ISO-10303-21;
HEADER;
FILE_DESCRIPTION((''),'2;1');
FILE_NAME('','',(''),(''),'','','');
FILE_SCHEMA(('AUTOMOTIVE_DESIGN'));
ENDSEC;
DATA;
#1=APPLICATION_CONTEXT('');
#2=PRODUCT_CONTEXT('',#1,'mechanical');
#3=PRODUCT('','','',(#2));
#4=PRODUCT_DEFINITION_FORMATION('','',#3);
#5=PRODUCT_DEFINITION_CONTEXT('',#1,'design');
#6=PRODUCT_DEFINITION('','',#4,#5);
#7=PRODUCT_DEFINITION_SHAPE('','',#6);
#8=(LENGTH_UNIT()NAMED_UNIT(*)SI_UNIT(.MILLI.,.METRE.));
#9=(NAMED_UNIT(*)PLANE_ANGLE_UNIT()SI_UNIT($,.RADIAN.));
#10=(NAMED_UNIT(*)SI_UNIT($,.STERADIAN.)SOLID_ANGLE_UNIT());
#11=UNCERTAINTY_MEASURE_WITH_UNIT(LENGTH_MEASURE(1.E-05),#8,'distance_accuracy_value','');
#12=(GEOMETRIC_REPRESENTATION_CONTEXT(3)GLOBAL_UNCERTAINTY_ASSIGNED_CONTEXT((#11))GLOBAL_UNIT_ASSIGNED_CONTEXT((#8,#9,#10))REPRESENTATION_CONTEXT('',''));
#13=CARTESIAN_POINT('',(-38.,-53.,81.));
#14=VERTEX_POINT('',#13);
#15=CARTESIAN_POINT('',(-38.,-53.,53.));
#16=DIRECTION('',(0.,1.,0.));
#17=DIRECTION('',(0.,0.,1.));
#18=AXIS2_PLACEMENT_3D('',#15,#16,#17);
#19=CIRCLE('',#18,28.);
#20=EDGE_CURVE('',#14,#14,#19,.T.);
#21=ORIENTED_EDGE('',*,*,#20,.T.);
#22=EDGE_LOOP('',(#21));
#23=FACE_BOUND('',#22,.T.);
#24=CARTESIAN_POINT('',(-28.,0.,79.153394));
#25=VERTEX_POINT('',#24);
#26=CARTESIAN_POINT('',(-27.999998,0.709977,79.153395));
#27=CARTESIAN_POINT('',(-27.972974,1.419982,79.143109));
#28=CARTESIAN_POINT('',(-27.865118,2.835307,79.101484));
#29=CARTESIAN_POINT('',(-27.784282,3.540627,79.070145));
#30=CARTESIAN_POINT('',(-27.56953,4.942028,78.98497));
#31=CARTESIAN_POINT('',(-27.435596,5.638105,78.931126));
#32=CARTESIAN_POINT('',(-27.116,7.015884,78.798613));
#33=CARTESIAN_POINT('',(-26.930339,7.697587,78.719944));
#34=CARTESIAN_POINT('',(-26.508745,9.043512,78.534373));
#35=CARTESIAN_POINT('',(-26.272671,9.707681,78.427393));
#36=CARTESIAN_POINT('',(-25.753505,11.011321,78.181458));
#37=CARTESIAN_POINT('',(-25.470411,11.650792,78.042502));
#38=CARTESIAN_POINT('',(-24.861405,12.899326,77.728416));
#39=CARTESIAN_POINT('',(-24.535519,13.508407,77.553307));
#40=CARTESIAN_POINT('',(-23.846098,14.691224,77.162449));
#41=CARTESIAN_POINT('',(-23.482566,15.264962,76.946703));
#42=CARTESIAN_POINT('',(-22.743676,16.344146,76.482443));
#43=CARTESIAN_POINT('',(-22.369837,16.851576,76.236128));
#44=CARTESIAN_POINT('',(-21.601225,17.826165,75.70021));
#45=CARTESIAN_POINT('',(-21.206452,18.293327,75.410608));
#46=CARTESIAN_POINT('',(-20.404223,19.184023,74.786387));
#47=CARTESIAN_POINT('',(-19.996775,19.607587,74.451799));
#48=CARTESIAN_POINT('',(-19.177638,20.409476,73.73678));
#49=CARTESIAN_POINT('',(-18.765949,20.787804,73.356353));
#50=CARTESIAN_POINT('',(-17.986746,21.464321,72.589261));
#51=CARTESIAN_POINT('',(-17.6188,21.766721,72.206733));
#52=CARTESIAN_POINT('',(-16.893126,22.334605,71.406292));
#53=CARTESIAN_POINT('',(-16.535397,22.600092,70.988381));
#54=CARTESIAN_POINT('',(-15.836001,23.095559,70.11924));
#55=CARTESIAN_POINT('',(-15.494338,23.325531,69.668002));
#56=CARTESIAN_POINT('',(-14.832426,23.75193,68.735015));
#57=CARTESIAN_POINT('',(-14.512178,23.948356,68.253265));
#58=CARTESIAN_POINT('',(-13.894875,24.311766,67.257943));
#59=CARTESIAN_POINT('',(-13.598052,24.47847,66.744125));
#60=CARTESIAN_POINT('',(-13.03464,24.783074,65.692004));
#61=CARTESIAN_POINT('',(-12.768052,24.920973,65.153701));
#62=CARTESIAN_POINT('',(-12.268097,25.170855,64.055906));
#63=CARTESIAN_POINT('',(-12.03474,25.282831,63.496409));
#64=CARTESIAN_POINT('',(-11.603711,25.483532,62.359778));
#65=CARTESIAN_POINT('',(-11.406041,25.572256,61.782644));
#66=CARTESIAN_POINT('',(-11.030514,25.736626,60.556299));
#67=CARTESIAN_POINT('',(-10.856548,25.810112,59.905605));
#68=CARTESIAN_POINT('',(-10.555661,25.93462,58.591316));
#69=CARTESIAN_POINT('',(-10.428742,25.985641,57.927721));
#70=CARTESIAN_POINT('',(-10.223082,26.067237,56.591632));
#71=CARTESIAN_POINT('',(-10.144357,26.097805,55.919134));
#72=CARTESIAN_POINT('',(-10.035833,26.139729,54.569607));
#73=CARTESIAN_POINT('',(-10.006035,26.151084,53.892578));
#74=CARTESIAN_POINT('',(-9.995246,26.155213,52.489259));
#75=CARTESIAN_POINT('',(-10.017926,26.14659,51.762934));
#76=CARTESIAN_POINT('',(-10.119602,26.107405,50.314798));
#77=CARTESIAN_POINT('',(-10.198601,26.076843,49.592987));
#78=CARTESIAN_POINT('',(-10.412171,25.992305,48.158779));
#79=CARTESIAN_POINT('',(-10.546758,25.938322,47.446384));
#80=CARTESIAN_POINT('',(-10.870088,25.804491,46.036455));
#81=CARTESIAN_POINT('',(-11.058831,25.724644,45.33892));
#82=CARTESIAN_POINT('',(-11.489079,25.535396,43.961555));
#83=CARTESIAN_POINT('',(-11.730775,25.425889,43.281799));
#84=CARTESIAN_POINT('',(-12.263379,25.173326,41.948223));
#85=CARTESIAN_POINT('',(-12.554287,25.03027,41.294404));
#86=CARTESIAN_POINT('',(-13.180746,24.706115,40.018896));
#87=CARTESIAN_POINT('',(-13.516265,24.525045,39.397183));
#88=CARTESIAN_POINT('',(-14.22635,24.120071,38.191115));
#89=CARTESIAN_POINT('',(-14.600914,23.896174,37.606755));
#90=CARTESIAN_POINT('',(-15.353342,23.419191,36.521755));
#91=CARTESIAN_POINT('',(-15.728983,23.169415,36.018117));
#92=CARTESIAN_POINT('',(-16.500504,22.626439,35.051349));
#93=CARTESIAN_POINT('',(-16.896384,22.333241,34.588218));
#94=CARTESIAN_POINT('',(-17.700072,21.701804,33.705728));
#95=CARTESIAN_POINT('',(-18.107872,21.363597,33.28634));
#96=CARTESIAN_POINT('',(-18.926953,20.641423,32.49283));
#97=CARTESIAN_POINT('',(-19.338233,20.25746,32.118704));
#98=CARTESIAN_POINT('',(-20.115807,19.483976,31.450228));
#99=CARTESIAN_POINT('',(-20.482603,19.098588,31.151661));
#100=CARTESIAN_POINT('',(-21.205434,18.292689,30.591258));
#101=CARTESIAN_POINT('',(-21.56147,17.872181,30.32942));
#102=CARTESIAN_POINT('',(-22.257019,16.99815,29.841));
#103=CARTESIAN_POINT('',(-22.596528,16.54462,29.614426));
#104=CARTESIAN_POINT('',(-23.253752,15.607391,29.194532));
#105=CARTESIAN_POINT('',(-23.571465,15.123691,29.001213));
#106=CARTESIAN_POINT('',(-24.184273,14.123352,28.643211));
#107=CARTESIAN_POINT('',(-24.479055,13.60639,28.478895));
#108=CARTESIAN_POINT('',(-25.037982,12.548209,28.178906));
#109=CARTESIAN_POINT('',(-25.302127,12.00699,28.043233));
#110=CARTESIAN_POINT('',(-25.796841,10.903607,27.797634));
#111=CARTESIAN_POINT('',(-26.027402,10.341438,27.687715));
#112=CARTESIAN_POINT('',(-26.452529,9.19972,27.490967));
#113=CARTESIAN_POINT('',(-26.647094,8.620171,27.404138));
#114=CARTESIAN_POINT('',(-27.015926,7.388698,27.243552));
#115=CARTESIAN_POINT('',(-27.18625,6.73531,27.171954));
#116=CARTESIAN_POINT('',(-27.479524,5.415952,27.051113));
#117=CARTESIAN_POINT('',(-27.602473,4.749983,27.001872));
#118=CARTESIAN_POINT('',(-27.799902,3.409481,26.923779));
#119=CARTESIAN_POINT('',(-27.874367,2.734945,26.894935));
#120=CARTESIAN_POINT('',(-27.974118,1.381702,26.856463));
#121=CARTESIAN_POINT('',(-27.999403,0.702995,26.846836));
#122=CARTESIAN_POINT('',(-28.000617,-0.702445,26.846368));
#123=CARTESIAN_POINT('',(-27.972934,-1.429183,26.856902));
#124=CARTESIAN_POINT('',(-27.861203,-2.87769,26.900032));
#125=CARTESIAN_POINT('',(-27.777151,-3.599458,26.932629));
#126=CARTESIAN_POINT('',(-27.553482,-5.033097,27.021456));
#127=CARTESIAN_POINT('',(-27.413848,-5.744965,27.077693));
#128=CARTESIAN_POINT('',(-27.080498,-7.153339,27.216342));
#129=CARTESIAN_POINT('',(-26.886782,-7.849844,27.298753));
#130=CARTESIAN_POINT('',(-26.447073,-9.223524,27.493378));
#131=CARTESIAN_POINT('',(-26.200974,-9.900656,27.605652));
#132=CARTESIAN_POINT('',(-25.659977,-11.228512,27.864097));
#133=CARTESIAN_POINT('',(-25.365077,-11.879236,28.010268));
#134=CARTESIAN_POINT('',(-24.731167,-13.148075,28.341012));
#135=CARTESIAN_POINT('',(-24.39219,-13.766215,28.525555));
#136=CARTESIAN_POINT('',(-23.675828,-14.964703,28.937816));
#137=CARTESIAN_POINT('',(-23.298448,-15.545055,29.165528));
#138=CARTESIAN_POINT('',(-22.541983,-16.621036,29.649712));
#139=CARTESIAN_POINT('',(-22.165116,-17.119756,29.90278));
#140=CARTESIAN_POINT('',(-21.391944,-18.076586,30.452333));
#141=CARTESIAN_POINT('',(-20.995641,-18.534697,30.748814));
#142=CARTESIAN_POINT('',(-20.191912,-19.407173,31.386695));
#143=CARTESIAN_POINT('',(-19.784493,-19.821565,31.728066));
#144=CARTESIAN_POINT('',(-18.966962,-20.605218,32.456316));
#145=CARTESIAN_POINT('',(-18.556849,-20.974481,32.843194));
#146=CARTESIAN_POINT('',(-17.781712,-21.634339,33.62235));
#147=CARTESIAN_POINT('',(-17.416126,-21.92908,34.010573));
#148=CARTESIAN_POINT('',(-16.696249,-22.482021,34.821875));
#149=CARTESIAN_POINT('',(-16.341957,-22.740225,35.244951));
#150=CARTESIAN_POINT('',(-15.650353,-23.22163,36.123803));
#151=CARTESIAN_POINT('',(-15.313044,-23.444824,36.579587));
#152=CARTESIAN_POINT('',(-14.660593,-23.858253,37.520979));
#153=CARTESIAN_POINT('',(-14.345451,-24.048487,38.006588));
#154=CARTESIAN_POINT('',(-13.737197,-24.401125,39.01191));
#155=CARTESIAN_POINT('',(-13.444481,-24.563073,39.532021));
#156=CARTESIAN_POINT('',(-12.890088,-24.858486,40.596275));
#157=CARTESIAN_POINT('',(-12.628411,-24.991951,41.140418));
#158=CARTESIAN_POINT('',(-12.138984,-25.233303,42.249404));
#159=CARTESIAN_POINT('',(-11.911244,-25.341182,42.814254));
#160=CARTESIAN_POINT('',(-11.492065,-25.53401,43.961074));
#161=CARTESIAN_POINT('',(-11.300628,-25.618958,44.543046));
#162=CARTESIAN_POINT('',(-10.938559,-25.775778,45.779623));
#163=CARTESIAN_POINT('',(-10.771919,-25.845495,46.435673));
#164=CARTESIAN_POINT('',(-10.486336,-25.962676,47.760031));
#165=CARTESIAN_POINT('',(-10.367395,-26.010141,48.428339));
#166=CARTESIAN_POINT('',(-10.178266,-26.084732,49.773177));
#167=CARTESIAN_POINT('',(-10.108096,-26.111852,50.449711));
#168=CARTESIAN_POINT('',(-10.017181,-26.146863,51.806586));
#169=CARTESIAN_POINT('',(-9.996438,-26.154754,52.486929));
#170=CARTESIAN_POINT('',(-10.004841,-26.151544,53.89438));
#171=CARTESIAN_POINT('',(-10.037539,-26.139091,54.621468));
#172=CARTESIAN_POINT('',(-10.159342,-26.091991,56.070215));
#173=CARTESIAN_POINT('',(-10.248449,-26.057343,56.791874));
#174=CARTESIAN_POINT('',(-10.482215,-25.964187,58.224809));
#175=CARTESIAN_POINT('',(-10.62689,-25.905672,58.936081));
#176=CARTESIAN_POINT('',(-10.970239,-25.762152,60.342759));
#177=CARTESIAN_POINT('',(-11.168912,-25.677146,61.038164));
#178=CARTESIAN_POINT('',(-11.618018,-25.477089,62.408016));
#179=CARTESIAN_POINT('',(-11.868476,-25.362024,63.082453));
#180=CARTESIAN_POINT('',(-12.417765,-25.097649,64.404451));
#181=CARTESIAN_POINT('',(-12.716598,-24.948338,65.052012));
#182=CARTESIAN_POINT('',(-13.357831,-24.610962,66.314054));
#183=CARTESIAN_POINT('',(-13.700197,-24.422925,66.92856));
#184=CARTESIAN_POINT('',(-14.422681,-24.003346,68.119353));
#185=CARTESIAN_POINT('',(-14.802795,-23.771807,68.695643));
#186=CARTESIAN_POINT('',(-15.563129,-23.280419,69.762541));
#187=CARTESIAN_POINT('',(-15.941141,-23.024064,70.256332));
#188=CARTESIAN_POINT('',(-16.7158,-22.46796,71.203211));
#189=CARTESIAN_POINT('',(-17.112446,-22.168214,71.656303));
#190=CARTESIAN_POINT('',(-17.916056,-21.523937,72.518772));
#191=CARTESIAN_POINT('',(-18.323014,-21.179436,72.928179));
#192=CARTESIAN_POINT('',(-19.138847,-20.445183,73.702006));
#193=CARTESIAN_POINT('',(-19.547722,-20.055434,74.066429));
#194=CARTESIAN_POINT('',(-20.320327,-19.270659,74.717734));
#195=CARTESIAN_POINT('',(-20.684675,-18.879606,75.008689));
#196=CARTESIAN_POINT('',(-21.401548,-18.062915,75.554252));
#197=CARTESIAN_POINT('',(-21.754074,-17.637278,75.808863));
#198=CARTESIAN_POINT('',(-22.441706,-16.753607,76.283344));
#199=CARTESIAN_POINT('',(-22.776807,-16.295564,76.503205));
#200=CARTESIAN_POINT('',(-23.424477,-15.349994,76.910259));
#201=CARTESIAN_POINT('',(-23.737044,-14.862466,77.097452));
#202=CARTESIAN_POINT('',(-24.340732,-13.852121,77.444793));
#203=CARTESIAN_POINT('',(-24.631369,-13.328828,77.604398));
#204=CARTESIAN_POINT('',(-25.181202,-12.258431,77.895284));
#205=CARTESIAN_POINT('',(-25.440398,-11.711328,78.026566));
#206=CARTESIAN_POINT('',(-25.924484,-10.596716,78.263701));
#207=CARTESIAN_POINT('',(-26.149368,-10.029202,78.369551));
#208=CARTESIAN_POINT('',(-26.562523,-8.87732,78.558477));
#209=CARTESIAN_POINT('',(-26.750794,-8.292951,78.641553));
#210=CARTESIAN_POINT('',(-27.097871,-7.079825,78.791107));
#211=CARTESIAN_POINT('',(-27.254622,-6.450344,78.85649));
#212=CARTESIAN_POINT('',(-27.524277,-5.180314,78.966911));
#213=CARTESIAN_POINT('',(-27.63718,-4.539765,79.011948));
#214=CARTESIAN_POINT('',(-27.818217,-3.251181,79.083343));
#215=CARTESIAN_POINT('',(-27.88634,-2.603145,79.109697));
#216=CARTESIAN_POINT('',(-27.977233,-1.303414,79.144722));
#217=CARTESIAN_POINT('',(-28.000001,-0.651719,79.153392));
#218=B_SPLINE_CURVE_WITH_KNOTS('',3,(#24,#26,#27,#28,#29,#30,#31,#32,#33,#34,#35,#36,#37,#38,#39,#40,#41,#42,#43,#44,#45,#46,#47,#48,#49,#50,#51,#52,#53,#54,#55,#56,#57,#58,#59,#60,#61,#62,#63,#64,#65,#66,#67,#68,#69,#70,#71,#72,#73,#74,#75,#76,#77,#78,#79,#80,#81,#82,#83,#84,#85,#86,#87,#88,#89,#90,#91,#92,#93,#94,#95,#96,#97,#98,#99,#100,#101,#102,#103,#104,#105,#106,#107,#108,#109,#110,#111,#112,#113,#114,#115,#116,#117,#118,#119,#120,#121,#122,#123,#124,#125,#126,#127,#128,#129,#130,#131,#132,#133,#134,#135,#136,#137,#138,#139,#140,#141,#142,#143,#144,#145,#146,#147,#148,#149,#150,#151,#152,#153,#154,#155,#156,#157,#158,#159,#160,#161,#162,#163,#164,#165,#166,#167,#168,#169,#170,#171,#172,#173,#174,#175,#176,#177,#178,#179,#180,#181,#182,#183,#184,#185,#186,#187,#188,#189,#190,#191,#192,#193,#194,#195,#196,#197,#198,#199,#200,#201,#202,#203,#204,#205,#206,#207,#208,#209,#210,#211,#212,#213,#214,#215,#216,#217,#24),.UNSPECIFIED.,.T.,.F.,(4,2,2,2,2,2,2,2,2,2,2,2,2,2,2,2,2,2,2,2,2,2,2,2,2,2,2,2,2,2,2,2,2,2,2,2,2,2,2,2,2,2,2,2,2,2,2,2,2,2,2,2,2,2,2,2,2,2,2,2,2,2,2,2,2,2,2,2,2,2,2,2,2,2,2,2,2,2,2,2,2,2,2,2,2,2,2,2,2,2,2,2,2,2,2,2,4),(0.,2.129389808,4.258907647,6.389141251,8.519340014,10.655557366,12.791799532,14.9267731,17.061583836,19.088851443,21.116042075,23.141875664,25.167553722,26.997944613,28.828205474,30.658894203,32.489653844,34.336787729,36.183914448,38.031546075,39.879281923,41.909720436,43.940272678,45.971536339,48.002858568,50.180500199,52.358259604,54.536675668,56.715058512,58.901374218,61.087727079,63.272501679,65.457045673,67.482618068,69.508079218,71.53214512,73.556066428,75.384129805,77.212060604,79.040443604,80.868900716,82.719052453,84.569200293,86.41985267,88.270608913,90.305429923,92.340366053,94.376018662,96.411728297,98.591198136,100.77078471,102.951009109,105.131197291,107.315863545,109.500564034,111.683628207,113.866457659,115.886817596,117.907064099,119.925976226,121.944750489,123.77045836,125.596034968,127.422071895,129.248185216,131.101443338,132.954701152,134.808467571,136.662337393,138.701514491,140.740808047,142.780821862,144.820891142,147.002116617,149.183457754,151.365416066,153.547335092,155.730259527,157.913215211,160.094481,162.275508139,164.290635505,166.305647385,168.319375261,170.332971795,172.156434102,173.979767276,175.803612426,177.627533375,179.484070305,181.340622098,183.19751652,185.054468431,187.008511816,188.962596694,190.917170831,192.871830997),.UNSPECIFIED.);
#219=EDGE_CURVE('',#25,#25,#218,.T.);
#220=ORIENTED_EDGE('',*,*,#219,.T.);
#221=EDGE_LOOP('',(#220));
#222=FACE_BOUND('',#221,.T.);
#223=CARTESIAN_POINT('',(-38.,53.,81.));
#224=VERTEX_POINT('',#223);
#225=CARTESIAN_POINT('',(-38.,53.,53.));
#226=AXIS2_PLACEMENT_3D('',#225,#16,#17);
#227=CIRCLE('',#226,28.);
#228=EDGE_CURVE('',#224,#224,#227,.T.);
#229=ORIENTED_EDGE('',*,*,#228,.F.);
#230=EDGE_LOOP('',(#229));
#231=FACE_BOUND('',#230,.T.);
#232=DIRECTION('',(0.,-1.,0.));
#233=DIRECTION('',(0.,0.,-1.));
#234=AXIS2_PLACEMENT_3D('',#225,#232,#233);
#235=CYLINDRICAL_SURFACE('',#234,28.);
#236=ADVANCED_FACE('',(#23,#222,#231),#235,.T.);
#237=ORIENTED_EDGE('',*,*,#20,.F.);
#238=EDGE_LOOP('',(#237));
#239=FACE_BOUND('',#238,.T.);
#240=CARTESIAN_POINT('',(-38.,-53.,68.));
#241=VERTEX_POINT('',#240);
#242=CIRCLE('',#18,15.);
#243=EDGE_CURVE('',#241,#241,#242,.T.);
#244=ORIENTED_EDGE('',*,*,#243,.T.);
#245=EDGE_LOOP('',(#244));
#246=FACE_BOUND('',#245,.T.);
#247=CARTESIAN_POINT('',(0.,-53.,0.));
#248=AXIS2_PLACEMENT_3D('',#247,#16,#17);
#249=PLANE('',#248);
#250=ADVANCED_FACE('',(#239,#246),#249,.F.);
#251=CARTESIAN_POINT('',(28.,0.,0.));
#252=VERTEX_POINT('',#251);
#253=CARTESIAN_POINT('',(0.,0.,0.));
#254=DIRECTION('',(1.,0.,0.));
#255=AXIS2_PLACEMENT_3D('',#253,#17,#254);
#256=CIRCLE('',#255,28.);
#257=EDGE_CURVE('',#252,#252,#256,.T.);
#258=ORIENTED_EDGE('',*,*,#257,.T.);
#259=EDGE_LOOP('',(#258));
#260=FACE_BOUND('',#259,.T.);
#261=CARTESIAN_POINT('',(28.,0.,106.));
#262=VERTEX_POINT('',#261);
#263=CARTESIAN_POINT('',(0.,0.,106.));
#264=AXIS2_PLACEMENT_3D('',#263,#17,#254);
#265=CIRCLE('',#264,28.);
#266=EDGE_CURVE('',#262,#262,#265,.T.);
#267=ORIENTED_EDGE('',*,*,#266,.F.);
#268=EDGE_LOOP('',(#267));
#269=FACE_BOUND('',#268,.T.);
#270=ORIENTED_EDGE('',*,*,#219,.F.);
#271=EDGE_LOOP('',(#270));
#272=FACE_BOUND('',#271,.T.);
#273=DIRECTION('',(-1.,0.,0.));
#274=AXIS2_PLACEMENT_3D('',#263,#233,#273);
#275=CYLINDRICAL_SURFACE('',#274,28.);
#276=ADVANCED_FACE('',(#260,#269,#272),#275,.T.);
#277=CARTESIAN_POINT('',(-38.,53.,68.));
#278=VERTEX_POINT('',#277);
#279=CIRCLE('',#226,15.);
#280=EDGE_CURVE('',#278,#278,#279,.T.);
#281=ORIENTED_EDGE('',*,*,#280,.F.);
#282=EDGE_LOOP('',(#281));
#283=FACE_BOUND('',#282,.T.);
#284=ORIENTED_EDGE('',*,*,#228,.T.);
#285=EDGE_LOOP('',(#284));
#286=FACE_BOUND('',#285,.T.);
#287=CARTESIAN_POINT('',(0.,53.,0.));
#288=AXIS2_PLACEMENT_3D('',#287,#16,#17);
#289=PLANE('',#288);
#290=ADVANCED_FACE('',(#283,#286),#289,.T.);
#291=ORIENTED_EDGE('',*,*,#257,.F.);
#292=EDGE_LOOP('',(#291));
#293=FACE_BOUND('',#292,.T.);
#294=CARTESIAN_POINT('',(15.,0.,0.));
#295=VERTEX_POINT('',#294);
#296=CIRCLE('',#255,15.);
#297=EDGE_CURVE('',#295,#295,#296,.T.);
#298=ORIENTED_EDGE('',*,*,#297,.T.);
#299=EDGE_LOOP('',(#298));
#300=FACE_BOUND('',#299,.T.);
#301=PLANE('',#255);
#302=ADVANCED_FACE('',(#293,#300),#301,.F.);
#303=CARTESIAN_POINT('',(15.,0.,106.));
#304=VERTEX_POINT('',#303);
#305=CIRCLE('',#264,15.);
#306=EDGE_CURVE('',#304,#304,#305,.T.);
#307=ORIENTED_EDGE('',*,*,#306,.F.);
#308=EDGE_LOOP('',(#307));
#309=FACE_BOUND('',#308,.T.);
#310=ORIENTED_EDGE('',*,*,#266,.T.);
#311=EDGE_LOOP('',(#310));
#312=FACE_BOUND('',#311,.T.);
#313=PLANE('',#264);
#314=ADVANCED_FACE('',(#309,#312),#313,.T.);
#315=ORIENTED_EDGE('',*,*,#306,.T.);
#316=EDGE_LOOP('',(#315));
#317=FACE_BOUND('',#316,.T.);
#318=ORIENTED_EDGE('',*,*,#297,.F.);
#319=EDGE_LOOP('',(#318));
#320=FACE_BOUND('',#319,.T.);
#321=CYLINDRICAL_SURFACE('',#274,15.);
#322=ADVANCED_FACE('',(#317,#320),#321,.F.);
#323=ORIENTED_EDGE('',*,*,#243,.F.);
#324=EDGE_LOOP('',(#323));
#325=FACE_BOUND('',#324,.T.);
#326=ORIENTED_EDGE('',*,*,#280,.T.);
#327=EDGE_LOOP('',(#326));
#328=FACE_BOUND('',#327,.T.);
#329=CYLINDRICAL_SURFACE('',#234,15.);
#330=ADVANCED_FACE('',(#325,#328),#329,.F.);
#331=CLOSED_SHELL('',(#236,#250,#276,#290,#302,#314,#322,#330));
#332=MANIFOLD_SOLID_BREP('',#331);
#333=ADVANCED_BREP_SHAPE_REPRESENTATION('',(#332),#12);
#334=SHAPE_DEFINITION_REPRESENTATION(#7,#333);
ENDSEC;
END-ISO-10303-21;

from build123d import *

# Parameters (mm, degrees)
SKETCH1_R           = 28
SKETCH1_R_2         = 15
BOSS_EXTRUDE1_DEPTH = 106
BOSS_EXTRUDE3_DEPTH = 53
CUT_EXTRUDE1_DEPTH  = 128
CUT_EXTRUDE2_DEPTH  = 123


with BuildPart() as part:
    # Sketch1 → Boss-Extrude1 (new body)
    with BuildSketch(Plane.XY):
        Circle(SKETCH1_R)
        Circle(SKETCH1_R_2, mode=Mode.SUBTRACT)
    extrude(amount=BOSS_EXTRUDE1_DEPTH)

    # Sketch2 → Boss-Extrude3 (add, symmetric)
    with BuildSketch(Plane(origin=(0, 0, 0), x_dir=(1, 0, 0), z_dir=(0, 1, 0))):
        with BuildLine():
            ThreePointArc((-28, -26.846606339), (-66, -53), (-28, -79.153393661))
            Line((-28, -79.153393661), (-28, -64.180339887))
            ThreePointArc((-28, -64.180339887), (-53, -53), (-28, -41.819660113))
            Line((-28, -41.819660113), (-28, -26.846606339))
        make_face()
        with BuildLine():
            Line((-28, -64.180339887), (-28, -79.153393661))
            ThreePointArc((-28, -79.153393661), (-14.934874811, -68.874507866), (-10, -53))
            ThreePointArc((-10, -53), (-14.934874811, -37.125492134), (-28, -26.846606339))
            Line((-28, -26.846606339), (-28, -41.819660113))
            ThreePointArc((-28, -41.819660113), (-24.306936062, -46.876275643), (-23, -53))
            ThreePointArc((-23, -53), (-24.306936062, -59.123724357), (-28, -64.180339887))
        make_face()
    extrude(amount=BOSS_EXTRUDE3_DEPTH, both=True)

    # Sketch3 → Cut-Extrude1 (cut, symmetric)
    with BuildSketch(Plane.XY):
        with BuildLine():
            Line((-10, 11.180339887), (-10, -11.180339887))
            ThreePointArc((-10, -11.180339887), (-15, 0), (-10, 11.180339887))
        make_face()
    extrude(amount=CUT_EXTRUDE1_DEPTH, both=True, mode=Mode.SUBTRACT)

    # Sketch4 → Cut-Extrude2 (cut, symmetric)
    with BuildSketch(Plane(origin=(0, 0, 0), x_dir=(1, 0, 0), z_dir=(0, 1, 0))):
        with BuildLine():
            Line((-28, -64.180339887), (-28, -41.819660113))
            ThreePointArc((-28, -41.819660113), (-23, -53), (-28, -64.180339887))
        make_face()
    extrude(amount=CUT_EXTRUDE2_DEPTH, both=True, mode=Mode.SUBTRACT)


solid = part.part
